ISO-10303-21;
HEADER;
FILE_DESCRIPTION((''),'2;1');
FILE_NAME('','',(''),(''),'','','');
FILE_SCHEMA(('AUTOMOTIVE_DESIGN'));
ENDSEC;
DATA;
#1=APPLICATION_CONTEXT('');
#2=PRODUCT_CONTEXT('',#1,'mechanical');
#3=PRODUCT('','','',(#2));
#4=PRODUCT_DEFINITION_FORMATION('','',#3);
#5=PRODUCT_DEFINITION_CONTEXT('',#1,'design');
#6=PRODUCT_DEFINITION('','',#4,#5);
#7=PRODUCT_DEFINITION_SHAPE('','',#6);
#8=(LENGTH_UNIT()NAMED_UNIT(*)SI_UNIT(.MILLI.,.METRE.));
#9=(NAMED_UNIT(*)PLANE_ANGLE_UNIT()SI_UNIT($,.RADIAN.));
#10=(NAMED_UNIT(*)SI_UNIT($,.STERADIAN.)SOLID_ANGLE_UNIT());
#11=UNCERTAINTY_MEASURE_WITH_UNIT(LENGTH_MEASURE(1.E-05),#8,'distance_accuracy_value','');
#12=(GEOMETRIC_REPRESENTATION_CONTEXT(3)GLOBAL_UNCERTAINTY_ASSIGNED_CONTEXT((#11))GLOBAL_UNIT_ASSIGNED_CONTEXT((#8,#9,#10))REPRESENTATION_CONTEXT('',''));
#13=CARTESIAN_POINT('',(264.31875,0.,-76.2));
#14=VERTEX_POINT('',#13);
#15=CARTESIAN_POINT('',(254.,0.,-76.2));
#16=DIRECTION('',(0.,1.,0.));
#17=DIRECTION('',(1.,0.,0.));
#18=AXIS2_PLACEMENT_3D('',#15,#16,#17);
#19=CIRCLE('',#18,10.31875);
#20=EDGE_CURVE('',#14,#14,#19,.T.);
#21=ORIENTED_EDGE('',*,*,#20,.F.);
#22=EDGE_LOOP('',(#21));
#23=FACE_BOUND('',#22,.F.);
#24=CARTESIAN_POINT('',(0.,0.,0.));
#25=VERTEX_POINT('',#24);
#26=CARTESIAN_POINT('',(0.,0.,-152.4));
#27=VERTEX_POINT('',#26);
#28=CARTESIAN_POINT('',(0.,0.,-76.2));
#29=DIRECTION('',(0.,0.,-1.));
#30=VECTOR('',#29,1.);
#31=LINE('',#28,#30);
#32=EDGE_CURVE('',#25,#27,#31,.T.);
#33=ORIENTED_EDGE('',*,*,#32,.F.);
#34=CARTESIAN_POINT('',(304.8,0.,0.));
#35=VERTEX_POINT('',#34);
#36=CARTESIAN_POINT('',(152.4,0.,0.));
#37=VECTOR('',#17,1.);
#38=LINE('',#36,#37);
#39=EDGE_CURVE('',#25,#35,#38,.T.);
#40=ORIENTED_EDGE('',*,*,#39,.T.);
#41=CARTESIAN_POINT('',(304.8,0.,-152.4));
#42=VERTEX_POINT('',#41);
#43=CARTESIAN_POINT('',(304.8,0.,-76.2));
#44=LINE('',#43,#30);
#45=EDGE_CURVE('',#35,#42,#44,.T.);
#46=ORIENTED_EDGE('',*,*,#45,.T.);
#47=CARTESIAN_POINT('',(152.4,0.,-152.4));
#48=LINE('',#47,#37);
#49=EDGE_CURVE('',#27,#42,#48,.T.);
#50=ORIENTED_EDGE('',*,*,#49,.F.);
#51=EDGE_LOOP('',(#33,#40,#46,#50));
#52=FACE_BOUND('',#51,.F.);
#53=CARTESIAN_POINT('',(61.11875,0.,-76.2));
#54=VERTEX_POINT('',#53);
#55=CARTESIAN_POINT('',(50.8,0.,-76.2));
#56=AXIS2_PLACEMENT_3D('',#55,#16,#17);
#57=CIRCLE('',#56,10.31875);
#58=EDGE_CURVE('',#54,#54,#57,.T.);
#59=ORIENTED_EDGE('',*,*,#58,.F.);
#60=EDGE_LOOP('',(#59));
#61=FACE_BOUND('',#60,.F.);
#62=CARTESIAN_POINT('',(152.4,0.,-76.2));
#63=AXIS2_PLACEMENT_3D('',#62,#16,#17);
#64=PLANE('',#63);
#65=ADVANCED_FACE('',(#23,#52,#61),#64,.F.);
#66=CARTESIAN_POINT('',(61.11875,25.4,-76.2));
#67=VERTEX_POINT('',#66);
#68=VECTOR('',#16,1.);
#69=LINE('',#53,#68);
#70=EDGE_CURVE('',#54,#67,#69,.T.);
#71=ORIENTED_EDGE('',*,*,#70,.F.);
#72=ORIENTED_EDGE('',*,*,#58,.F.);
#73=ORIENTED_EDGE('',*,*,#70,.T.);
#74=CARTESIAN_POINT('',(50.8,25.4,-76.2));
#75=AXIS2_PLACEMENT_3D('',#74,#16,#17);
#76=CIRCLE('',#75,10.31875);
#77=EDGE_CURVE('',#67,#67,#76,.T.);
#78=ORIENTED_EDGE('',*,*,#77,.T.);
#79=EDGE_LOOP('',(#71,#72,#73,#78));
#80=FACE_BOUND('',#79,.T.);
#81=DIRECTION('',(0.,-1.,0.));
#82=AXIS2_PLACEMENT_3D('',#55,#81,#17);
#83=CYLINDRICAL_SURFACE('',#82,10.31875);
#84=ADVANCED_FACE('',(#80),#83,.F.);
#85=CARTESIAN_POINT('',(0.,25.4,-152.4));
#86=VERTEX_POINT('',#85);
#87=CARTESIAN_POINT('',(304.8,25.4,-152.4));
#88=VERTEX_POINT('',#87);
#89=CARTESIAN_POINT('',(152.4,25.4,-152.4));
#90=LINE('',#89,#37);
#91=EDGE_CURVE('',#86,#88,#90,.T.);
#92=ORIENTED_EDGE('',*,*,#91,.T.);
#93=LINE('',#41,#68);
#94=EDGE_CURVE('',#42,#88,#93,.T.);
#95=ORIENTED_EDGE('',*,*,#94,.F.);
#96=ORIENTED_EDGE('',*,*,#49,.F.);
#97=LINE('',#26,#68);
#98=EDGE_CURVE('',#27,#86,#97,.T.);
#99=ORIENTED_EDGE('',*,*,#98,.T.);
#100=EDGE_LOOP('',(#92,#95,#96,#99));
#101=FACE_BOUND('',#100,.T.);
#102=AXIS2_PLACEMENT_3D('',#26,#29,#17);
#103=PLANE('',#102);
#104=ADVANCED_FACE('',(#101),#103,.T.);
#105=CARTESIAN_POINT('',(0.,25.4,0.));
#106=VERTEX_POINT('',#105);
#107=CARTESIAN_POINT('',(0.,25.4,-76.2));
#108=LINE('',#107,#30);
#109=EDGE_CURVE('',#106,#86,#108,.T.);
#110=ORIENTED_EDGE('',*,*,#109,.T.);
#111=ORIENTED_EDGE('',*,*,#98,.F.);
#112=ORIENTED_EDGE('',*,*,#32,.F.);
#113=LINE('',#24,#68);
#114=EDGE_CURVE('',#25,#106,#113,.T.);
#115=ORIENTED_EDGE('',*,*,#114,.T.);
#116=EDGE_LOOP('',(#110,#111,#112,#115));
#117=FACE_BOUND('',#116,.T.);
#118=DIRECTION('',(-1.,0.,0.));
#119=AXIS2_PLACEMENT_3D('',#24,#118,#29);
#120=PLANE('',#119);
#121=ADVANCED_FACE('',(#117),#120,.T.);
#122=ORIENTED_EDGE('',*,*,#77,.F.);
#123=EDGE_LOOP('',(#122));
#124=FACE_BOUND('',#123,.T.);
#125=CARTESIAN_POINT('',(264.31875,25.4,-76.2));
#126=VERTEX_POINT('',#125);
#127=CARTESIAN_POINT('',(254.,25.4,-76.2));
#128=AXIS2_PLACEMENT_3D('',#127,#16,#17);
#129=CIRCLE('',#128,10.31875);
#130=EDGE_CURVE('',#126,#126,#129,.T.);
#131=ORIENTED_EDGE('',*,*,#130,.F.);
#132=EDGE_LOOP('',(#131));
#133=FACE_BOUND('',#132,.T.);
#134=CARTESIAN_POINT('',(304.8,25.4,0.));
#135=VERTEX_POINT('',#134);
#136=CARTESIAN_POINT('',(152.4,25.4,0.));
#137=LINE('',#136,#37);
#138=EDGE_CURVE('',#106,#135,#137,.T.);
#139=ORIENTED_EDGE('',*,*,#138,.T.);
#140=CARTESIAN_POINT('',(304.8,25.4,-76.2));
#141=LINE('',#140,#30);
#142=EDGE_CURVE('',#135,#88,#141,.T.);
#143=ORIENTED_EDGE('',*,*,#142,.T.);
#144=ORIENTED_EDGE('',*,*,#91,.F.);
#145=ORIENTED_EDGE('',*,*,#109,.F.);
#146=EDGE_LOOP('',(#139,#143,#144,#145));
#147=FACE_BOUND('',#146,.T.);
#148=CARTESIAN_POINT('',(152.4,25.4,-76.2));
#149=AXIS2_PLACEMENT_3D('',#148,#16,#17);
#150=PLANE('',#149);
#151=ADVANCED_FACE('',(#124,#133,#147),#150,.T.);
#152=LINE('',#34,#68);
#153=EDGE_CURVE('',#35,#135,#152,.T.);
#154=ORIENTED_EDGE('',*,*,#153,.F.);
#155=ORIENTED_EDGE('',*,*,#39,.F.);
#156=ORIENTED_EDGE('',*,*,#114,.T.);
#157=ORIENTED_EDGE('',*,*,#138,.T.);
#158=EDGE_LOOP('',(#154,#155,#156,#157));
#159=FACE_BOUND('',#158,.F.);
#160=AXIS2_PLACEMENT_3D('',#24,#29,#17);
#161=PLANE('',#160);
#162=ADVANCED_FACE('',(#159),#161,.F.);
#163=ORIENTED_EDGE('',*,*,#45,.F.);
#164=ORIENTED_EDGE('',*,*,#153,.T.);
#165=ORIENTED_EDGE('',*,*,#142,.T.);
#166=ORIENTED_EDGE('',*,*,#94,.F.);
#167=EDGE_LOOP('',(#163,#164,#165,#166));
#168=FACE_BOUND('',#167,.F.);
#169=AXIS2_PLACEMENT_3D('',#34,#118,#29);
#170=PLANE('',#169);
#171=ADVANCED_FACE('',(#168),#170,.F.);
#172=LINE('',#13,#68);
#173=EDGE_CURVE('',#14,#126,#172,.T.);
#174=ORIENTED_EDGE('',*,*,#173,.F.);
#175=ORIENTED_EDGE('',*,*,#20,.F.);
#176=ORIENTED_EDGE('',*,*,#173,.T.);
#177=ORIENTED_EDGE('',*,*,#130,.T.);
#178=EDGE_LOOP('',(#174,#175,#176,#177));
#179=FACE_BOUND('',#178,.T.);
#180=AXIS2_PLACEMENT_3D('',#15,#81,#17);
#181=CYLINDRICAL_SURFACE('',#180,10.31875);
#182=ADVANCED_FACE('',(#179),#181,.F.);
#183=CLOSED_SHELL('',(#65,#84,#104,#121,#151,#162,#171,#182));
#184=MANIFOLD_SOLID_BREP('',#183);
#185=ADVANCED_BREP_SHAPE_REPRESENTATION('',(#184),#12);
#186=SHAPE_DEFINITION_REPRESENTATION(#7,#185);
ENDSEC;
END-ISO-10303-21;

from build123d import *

# Parameters (mm, degrees)
SKETCH1_W           = 304.8
SKETCH1_H           = 152.4
SKETCH1_R           = 10.31875
BOSS_EXTRUDE1_DEPTH = 25.4


with BuildPart() as part:
    # Sketch1 → Boss-Extrude1 (new body)
    with BuildSketch(Plane(origin=(0, 0, 0), x_dir=(1, 0, 0), z_dir=(0, 1, 0))):
        with Locations((152.4, 76.2)):
            Rectangle(SKETCH1_W, SKETCH1_H)
        with Locations((50.8, 76.2)):
            Circle(SKETCH1_R, mode=Mode.SUBTRACT)
        with Locations((254, 76.2)):
            Circle(SKETCH1_R, mode=Mode.SUBTRACT)
    extrude(amount=BOSS_EXTRUDE1_DEPTH)


solid = part.part
